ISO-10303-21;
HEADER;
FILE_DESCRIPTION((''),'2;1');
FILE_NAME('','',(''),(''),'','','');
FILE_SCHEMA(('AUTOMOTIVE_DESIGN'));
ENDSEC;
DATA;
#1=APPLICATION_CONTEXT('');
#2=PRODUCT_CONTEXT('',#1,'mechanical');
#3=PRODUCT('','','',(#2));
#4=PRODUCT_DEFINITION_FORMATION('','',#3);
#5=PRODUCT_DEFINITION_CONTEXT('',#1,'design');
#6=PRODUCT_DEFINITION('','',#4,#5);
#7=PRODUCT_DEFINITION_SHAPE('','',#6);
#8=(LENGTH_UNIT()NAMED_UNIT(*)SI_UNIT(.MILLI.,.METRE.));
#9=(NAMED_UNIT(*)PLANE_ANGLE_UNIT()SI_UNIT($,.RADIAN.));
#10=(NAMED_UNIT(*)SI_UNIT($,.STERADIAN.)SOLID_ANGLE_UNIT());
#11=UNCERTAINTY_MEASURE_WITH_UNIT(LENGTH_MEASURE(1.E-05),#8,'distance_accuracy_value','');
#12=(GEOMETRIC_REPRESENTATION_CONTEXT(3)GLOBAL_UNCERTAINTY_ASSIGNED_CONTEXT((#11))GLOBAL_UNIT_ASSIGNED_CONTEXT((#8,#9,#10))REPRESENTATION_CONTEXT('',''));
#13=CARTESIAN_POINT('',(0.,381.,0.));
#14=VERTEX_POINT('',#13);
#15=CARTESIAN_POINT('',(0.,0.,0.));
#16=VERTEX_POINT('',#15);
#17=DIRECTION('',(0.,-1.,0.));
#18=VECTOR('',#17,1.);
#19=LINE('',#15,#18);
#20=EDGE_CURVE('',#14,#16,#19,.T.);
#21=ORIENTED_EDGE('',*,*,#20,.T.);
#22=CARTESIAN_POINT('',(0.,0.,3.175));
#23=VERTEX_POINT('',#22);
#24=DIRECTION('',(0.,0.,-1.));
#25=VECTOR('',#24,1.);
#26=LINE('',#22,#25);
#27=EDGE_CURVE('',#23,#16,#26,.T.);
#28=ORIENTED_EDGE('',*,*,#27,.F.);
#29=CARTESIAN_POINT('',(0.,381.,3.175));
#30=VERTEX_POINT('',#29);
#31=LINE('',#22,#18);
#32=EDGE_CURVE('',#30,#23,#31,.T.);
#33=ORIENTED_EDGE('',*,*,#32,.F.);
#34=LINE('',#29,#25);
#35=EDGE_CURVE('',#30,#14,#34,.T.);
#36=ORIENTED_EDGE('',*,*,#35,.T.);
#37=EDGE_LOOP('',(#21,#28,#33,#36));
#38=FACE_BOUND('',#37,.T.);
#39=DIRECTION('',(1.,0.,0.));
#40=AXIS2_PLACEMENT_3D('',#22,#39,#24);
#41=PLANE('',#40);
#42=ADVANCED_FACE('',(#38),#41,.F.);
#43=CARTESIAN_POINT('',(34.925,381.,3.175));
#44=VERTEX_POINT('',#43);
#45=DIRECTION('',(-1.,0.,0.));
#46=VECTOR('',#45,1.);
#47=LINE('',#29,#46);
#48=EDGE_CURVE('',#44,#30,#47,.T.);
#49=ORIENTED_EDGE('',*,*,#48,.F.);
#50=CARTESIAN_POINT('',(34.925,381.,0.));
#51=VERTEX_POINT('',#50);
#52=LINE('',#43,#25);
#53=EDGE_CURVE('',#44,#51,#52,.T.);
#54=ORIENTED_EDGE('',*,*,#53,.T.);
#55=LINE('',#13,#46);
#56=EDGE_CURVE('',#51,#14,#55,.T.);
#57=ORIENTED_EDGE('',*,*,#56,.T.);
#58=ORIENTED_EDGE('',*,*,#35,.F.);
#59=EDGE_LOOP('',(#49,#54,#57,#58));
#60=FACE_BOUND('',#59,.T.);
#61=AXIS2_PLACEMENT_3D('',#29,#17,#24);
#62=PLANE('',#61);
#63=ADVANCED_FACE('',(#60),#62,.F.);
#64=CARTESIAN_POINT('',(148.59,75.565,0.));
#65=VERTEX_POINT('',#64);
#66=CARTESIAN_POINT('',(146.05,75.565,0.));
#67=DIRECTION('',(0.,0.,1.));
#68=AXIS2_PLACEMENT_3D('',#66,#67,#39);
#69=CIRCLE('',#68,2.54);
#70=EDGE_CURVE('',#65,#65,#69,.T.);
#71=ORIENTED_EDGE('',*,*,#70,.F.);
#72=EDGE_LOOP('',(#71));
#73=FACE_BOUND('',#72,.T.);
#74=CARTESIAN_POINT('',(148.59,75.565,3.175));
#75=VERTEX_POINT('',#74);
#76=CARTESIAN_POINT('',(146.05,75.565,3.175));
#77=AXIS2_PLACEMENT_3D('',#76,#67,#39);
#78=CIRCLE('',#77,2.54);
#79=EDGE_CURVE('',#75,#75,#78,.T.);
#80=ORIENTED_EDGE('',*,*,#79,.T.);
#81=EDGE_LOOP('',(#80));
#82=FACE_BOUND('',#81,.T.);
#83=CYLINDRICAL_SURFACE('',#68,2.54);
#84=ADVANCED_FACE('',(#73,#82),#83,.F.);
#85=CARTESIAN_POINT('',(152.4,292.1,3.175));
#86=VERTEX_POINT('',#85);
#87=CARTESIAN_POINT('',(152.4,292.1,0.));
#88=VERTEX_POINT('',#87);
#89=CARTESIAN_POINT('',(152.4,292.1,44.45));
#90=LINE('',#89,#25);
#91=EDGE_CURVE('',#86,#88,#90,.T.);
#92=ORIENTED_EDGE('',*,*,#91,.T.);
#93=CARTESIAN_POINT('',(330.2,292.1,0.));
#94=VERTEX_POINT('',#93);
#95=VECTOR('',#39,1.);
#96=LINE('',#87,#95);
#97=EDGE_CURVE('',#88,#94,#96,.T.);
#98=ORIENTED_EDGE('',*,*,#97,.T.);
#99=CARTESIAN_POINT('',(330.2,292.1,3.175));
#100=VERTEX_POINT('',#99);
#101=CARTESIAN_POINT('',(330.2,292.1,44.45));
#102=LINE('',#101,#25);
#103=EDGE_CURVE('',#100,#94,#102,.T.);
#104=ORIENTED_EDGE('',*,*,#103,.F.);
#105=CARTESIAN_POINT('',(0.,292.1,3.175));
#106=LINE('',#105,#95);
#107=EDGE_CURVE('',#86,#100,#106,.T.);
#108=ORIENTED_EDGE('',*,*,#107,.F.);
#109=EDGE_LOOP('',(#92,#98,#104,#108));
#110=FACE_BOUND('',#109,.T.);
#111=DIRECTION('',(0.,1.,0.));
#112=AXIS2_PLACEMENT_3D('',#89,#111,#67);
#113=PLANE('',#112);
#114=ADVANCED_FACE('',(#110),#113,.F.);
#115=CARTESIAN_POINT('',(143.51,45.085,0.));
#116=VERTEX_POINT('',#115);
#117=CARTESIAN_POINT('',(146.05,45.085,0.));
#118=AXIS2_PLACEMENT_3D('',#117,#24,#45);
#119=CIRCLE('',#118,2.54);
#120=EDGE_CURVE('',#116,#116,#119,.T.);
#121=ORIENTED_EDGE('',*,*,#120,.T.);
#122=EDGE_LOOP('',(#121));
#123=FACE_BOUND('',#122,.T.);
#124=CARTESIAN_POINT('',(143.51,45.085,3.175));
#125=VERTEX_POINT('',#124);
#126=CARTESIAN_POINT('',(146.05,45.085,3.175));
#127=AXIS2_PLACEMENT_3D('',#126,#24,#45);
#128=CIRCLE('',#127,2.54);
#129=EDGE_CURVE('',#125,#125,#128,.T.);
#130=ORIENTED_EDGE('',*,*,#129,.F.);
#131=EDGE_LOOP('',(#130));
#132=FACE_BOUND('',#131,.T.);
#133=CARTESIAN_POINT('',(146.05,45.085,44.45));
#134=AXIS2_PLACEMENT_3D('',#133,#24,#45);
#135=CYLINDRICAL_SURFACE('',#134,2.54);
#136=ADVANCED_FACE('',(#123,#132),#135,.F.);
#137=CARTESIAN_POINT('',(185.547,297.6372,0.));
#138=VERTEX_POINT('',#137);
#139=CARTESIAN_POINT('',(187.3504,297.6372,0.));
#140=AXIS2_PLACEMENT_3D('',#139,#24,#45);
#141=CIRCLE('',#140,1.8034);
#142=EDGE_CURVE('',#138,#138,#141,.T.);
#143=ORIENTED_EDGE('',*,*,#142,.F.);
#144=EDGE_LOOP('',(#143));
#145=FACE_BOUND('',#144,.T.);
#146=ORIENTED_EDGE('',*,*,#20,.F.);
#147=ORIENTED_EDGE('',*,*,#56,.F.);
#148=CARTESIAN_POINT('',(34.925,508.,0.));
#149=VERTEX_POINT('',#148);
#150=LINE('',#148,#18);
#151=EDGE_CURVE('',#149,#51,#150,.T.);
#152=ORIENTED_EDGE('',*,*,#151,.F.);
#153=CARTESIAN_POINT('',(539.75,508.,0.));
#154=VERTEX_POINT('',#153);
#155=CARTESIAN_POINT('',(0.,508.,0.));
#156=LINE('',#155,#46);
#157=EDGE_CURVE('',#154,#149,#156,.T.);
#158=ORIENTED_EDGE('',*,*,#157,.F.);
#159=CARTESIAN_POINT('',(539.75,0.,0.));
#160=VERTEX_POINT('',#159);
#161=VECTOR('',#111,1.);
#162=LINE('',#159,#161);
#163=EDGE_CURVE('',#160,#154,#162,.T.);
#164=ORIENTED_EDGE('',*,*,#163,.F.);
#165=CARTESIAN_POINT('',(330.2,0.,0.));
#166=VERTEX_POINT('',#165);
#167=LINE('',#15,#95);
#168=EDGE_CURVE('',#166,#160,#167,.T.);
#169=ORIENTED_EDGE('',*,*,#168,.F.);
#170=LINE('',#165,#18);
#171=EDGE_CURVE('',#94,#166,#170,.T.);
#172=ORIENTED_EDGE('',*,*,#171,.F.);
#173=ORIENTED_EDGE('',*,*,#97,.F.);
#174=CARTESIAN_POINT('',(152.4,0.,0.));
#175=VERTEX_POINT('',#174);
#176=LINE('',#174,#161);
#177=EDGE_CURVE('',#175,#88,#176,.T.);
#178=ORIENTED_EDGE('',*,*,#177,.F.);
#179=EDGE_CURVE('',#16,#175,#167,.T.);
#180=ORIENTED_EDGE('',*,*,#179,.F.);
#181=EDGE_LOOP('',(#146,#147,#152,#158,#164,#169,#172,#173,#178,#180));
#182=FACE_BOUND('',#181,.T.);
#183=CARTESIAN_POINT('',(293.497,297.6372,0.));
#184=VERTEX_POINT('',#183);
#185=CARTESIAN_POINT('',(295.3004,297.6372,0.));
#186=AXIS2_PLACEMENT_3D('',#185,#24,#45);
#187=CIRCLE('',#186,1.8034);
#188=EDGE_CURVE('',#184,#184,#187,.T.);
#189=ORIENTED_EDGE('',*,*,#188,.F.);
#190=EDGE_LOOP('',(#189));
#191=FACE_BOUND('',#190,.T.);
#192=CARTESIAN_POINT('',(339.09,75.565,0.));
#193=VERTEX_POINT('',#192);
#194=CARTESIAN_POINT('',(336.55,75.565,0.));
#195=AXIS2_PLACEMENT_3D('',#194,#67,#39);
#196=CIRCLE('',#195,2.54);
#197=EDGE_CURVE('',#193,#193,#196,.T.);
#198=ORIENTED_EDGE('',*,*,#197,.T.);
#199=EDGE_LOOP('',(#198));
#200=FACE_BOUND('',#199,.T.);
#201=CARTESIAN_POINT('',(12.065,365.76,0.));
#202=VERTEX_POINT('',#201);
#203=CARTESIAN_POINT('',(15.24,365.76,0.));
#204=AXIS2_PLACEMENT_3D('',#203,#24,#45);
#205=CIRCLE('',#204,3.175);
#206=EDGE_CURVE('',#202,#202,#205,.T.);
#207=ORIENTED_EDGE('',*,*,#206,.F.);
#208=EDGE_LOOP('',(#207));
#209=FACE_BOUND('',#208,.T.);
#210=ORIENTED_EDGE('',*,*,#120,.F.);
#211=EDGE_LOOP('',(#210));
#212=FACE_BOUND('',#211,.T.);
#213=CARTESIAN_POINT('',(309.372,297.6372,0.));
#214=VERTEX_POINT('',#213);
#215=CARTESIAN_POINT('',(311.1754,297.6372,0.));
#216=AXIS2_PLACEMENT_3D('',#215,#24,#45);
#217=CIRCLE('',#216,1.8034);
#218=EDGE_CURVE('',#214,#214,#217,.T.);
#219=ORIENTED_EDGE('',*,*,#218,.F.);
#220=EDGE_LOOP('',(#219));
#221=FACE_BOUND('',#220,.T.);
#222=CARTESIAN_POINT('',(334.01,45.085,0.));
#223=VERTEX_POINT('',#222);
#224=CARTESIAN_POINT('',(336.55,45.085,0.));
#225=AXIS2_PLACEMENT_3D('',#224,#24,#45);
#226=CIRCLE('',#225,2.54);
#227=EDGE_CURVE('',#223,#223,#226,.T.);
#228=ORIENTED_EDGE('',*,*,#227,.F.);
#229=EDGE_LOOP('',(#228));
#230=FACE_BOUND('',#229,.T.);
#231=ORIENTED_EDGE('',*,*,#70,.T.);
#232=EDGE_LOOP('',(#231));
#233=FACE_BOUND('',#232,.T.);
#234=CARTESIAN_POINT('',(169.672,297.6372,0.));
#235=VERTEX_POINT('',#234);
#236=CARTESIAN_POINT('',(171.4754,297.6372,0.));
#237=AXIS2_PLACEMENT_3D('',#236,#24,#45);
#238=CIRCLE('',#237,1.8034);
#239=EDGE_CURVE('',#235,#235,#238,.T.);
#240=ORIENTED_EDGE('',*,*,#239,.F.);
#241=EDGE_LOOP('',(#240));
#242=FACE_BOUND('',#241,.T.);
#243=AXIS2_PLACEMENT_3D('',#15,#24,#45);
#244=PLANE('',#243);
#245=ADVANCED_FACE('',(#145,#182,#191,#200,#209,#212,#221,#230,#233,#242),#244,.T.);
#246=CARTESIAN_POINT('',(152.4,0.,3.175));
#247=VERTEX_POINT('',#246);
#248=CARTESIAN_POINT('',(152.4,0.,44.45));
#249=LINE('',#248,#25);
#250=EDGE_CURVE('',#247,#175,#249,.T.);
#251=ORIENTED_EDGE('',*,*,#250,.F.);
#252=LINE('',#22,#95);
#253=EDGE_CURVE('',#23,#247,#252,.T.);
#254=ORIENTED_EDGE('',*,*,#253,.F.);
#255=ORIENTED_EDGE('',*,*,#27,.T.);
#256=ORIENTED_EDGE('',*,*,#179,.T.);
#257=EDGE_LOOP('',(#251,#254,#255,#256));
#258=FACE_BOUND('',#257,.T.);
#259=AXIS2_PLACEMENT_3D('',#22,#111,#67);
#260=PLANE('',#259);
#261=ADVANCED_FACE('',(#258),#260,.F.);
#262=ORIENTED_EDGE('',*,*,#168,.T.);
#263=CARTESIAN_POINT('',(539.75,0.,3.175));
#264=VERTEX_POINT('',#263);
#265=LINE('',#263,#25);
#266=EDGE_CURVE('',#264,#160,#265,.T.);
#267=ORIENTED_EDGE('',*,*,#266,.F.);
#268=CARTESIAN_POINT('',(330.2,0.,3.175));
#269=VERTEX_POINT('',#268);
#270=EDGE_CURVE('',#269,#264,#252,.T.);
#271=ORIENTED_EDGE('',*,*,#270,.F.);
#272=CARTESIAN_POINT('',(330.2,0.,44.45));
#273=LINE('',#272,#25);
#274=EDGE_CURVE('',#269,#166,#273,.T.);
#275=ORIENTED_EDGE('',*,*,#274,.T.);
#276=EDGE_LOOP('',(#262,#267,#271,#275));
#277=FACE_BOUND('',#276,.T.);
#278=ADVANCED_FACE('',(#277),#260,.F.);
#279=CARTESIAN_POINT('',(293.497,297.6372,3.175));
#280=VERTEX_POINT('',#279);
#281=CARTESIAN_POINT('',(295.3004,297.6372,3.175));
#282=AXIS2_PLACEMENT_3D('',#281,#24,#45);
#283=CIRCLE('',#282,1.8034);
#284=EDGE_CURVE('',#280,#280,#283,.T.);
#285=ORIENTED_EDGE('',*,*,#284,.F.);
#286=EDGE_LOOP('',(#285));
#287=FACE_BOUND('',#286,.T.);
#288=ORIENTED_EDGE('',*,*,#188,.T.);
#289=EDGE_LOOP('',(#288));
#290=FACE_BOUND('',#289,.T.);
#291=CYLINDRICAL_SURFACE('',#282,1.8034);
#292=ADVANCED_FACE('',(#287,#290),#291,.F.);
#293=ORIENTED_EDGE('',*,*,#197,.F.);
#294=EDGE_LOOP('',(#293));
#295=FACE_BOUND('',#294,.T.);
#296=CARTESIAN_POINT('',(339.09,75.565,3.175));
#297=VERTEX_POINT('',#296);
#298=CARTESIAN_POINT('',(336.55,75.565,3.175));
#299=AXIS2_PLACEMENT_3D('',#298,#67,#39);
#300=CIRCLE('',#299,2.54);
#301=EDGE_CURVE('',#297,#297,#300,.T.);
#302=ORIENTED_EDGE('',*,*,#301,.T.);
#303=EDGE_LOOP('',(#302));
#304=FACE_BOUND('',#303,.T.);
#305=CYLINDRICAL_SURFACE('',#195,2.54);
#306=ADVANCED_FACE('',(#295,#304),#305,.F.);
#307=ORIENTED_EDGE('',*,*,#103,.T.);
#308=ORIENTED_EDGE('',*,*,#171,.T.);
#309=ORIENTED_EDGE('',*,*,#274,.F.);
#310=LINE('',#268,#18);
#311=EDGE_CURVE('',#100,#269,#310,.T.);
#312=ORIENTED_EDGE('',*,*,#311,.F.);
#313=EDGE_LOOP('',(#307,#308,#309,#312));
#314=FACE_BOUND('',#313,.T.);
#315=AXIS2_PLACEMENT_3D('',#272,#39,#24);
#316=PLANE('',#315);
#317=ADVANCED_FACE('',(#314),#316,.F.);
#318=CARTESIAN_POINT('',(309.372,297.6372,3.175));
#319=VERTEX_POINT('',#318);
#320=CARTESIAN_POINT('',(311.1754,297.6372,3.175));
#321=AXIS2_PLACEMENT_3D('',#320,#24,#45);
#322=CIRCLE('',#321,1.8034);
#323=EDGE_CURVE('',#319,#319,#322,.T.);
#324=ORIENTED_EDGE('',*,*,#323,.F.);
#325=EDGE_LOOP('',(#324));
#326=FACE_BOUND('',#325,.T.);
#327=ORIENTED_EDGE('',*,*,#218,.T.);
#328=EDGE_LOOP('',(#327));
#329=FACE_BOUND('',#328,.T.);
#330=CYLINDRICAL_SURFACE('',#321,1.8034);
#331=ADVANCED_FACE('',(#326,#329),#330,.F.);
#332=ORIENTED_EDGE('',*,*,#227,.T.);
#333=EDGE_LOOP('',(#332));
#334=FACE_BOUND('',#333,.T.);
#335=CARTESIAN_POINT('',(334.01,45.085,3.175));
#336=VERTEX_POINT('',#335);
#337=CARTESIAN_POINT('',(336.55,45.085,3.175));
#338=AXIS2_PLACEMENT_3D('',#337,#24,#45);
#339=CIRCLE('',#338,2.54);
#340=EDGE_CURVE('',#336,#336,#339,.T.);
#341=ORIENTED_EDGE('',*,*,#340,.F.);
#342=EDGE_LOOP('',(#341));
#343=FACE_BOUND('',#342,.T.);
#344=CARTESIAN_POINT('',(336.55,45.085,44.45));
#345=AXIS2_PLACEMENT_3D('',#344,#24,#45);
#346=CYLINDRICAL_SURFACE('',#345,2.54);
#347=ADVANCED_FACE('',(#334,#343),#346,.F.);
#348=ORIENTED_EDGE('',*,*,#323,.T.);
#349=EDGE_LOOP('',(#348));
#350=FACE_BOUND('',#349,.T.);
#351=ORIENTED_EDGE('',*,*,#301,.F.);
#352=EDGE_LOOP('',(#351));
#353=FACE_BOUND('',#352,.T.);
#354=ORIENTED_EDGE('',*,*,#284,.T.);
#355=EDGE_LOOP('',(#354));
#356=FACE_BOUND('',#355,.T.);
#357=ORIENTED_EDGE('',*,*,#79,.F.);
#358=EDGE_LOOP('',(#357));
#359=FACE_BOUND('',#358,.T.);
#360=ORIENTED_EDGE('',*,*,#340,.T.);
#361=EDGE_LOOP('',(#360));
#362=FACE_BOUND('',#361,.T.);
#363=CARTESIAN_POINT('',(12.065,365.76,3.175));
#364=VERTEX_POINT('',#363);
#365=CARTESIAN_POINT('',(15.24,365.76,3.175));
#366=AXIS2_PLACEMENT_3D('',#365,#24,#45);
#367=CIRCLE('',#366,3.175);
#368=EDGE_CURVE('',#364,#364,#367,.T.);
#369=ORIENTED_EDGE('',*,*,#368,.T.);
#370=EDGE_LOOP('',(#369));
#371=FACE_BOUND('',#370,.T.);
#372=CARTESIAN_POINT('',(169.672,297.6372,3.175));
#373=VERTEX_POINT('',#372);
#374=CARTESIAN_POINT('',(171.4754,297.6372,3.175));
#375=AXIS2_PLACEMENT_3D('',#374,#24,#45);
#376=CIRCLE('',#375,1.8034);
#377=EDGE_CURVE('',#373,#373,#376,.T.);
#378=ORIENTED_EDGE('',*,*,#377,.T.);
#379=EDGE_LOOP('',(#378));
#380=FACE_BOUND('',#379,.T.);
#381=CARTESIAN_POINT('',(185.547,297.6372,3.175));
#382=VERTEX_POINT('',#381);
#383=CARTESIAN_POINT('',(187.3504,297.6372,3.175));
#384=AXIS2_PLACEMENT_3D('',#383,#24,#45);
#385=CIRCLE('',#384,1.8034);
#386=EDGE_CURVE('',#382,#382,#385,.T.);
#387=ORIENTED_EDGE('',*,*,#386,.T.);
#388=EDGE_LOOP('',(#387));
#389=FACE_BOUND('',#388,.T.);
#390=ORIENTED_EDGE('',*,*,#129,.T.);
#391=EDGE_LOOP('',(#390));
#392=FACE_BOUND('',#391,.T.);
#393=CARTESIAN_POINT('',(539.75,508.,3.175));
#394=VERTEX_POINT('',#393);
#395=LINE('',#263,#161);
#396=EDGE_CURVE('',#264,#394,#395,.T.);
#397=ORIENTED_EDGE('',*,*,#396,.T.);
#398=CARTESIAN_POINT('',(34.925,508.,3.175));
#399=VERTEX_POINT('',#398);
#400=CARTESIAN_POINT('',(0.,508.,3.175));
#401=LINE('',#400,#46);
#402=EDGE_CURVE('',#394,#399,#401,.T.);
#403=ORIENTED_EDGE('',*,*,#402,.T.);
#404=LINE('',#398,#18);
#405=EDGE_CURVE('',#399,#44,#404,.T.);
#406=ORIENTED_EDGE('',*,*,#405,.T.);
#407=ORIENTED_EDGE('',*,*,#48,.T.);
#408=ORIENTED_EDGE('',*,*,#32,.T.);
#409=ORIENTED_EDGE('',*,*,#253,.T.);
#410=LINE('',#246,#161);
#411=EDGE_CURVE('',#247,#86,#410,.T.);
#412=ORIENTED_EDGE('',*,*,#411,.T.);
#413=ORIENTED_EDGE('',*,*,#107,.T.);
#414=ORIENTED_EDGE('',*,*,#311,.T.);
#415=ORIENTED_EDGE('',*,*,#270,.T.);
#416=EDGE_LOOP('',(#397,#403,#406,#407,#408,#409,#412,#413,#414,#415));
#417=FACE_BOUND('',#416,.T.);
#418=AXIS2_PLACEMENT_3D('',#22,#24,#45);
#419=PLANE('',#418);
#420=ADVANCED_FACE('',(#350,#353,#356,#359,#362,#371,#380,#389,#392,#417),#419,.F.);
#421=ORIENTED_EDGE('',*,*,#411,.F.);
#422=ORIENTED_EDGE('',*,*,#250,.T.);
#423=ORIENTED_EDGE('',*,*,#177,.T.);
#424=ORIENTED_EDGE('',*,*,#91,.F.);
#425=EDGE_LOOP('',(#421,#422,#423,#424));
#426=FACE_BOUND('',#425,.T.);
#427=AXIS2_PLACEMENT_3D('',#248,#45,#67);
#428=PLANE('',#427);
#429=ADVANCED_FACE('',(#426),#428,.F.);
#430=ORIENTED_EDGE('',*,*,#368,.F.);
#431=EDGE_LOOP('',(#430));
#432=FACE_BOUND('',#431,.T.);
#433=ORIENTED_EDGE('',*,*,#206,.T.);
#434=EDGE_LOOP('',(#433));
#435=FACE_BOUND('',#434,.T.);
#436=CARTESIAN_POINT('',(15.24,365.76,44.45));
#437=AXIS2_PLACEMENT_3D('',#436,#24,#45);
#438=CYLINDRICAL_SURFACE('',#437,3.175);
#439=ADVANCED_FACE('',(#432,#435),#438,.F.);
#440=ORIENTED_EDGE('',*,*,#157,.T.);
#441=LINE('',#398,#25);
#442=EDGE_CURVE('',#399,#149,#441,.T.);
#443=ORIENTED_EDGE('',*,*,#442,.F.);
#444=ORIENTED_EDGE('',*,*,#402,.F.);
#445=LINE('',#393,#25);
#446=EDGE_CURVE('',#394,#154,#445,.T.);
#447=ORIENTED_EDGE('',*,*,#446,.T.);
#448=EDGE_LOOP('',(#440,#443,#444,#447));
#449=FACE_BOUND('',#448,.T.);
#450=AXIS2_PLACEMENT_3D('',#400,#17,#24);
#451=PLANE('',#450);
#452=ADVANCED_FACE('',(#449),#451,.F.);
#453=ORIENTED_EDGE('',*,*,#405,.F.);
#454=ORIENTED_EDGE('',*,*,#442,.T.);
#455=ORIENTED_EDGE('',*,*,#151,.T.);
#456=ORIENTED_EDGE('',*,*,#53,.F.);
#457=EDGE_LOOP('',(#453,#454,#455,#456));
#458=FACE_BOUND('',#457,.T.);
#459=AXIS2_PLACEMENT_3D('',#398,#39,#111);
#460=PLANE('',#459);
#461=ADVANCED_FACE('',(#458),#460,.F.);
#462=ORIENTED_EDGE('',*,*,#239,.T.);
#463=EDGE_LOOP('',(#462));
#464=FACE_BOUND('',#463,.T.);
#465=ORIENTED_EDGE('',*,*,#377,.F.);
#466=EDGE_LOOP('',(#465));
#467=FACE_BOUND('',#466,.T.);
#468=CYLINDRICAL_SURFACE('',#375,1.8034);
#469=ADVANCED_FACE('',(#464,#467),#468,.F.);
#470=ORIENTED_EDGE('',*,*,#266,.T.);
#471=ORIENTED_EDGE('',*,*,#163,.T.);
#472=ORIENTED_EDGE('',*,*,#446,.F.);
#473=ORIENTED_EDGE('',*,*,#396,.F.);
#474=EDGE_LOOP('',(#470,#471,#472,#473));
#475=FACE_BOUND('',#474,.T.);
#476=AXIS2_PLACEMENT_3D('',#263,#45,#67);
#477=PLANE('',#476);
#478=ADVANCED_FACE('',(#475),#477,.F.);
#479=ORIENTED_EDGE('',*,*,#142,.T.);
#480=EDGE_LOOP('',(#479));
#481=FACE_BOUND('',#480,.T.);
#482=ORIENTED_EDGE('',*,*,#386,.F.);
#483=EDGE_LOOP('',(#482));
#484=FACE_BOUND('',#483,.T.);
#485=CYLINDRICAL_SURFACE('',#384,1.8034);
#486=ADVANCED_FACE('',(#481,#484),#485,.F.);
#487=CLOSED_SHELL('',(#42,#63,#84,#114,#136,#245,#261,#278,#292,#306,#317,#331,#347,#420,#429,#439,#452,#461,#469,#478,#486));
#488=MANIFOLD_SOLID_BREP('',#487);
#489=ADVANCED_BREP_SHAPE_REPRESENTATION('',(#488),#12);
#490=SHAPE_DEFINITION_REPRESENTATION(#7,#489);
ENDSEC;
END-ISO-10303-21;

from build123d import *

# Parameters (mm, degrees)
SKETCH1_W           = 539.75
SKETCH1_H           = 508
BOSS_EXTRUDE1_DEPTH = 3.175
SKETCH2_R           = 2.54
SKETCH2_R_2         = 3.175
SKETCH2_W           = 177.8
SKETCH2_H           = 292.1
CUT_EXTRUDE1_DEPTH  = 44.45
SKETCH3_W           = 34.925
SKETCH3_H           = 127
CUT_EXTRUDE2_DEPTH  = 742.218013222
SKETCH4_R           = 1.8034
CUT_EXTRUDE3_DEPTH  = 742.218013222
SKETCH5_R           = 2.54
CUT_EXTRUDE4_DEPTH  = 742.218013222
SKETCH6_R           = 2.54
CUT_EXTRUDE5_DEPTH  = 742.218013222


with BuildPart() as part:
    # Sketch1 → Boss-Extrude1 (new body)
    with BuildSketch(Plane.XY):
        with Locations((269.875, 254)):
            Rectangle(SKETCH1_W, SKETCH1_H)
    extrude(amount=BOSS_EXTRUDE1_DEPTH)

    # Sketch2 → Cut-Extrude1 (cut)
    with BuildSketch(Plane(origin=(0, 0, 0), x_dir=(-1, 0, 0), z_dir=(0, 0, -1))):
        with Locations((-336.55, 45.085)):
            Circle(SKETCH2_R)
        with Locations((-146.05, 45.085)):
            Circle(SKETCH2_R)
        with Locations((-15.24, 365.76)):
            Circle(SKETCH2_R_2)
        with Locations((-241.3, 146.05)):
            Rectangle(SKETCH2_W, SKETCH2_H)
    extrude(amount=-CUT_EXTRUDE1_DEPTH, mode=Mode.SUBTRACT)

    # Sketch3 → Cut-Extrude2 (cut, through all)
    with BuildSketch(Plane(origin=(0, 0, 0), x_dir=(-1, 0, 0), z_dir=(0, 0, -1))):
        with Locations((-17.4625, 444.5)):
            Rectangle(SKETCH3_W, SKETCH3_H)
    extrude(amount=-CUT_EXTRUDE2_DEPTH, mode=Mode.SUBTRACT)

    # Sketch4 → Cut-Extrude3 (cut, through all)
    with BuildSketch(Plane(origin=(0, 0, 0), x_dir=(-1, 0, 0), z_dir=(0, 0, -1))):
        with Locations((-311.1754, 297.6372)):
            Circle(SKETCH4_R)
        with Locations((-295.3004, 297.6372)):
            Circle(SKETCH4_R)
        with Locations((-187.3504, 297.6372)):
            Circle(SKETCH4_R)
        with Locations((-171.4754, 297.6372)):
            Circle(SKETCH4_R)
    extrude(amount=-CUT_EXTRUDE3_DEPTH, mode=Mode.SUBTRACT)

    # Sketch5 → Cut-Extrude4 (cut, through all)
    with BuildSketch(Plane.XY.offset(3.175)):
        with Locations((146.05, 75.565)):
            Circle(SKETCH5_R)
    extrude(amount=-CUT_EXTRUDE4_DEPTH, mode=Mode.SUBTRACT)

    # Sketch6 → Cut-Extrude5 (cut, through all)
    with BuildSketch(Plane.XY.offset(3.175)):
        with Locations((336.55, 75.565)):
            Circle(SKETCH6_R)
    extrude(amount=-CUT_EXTRUDE5_DEPTH, mode=Mode.SUBTRACT)


solid = part.part
